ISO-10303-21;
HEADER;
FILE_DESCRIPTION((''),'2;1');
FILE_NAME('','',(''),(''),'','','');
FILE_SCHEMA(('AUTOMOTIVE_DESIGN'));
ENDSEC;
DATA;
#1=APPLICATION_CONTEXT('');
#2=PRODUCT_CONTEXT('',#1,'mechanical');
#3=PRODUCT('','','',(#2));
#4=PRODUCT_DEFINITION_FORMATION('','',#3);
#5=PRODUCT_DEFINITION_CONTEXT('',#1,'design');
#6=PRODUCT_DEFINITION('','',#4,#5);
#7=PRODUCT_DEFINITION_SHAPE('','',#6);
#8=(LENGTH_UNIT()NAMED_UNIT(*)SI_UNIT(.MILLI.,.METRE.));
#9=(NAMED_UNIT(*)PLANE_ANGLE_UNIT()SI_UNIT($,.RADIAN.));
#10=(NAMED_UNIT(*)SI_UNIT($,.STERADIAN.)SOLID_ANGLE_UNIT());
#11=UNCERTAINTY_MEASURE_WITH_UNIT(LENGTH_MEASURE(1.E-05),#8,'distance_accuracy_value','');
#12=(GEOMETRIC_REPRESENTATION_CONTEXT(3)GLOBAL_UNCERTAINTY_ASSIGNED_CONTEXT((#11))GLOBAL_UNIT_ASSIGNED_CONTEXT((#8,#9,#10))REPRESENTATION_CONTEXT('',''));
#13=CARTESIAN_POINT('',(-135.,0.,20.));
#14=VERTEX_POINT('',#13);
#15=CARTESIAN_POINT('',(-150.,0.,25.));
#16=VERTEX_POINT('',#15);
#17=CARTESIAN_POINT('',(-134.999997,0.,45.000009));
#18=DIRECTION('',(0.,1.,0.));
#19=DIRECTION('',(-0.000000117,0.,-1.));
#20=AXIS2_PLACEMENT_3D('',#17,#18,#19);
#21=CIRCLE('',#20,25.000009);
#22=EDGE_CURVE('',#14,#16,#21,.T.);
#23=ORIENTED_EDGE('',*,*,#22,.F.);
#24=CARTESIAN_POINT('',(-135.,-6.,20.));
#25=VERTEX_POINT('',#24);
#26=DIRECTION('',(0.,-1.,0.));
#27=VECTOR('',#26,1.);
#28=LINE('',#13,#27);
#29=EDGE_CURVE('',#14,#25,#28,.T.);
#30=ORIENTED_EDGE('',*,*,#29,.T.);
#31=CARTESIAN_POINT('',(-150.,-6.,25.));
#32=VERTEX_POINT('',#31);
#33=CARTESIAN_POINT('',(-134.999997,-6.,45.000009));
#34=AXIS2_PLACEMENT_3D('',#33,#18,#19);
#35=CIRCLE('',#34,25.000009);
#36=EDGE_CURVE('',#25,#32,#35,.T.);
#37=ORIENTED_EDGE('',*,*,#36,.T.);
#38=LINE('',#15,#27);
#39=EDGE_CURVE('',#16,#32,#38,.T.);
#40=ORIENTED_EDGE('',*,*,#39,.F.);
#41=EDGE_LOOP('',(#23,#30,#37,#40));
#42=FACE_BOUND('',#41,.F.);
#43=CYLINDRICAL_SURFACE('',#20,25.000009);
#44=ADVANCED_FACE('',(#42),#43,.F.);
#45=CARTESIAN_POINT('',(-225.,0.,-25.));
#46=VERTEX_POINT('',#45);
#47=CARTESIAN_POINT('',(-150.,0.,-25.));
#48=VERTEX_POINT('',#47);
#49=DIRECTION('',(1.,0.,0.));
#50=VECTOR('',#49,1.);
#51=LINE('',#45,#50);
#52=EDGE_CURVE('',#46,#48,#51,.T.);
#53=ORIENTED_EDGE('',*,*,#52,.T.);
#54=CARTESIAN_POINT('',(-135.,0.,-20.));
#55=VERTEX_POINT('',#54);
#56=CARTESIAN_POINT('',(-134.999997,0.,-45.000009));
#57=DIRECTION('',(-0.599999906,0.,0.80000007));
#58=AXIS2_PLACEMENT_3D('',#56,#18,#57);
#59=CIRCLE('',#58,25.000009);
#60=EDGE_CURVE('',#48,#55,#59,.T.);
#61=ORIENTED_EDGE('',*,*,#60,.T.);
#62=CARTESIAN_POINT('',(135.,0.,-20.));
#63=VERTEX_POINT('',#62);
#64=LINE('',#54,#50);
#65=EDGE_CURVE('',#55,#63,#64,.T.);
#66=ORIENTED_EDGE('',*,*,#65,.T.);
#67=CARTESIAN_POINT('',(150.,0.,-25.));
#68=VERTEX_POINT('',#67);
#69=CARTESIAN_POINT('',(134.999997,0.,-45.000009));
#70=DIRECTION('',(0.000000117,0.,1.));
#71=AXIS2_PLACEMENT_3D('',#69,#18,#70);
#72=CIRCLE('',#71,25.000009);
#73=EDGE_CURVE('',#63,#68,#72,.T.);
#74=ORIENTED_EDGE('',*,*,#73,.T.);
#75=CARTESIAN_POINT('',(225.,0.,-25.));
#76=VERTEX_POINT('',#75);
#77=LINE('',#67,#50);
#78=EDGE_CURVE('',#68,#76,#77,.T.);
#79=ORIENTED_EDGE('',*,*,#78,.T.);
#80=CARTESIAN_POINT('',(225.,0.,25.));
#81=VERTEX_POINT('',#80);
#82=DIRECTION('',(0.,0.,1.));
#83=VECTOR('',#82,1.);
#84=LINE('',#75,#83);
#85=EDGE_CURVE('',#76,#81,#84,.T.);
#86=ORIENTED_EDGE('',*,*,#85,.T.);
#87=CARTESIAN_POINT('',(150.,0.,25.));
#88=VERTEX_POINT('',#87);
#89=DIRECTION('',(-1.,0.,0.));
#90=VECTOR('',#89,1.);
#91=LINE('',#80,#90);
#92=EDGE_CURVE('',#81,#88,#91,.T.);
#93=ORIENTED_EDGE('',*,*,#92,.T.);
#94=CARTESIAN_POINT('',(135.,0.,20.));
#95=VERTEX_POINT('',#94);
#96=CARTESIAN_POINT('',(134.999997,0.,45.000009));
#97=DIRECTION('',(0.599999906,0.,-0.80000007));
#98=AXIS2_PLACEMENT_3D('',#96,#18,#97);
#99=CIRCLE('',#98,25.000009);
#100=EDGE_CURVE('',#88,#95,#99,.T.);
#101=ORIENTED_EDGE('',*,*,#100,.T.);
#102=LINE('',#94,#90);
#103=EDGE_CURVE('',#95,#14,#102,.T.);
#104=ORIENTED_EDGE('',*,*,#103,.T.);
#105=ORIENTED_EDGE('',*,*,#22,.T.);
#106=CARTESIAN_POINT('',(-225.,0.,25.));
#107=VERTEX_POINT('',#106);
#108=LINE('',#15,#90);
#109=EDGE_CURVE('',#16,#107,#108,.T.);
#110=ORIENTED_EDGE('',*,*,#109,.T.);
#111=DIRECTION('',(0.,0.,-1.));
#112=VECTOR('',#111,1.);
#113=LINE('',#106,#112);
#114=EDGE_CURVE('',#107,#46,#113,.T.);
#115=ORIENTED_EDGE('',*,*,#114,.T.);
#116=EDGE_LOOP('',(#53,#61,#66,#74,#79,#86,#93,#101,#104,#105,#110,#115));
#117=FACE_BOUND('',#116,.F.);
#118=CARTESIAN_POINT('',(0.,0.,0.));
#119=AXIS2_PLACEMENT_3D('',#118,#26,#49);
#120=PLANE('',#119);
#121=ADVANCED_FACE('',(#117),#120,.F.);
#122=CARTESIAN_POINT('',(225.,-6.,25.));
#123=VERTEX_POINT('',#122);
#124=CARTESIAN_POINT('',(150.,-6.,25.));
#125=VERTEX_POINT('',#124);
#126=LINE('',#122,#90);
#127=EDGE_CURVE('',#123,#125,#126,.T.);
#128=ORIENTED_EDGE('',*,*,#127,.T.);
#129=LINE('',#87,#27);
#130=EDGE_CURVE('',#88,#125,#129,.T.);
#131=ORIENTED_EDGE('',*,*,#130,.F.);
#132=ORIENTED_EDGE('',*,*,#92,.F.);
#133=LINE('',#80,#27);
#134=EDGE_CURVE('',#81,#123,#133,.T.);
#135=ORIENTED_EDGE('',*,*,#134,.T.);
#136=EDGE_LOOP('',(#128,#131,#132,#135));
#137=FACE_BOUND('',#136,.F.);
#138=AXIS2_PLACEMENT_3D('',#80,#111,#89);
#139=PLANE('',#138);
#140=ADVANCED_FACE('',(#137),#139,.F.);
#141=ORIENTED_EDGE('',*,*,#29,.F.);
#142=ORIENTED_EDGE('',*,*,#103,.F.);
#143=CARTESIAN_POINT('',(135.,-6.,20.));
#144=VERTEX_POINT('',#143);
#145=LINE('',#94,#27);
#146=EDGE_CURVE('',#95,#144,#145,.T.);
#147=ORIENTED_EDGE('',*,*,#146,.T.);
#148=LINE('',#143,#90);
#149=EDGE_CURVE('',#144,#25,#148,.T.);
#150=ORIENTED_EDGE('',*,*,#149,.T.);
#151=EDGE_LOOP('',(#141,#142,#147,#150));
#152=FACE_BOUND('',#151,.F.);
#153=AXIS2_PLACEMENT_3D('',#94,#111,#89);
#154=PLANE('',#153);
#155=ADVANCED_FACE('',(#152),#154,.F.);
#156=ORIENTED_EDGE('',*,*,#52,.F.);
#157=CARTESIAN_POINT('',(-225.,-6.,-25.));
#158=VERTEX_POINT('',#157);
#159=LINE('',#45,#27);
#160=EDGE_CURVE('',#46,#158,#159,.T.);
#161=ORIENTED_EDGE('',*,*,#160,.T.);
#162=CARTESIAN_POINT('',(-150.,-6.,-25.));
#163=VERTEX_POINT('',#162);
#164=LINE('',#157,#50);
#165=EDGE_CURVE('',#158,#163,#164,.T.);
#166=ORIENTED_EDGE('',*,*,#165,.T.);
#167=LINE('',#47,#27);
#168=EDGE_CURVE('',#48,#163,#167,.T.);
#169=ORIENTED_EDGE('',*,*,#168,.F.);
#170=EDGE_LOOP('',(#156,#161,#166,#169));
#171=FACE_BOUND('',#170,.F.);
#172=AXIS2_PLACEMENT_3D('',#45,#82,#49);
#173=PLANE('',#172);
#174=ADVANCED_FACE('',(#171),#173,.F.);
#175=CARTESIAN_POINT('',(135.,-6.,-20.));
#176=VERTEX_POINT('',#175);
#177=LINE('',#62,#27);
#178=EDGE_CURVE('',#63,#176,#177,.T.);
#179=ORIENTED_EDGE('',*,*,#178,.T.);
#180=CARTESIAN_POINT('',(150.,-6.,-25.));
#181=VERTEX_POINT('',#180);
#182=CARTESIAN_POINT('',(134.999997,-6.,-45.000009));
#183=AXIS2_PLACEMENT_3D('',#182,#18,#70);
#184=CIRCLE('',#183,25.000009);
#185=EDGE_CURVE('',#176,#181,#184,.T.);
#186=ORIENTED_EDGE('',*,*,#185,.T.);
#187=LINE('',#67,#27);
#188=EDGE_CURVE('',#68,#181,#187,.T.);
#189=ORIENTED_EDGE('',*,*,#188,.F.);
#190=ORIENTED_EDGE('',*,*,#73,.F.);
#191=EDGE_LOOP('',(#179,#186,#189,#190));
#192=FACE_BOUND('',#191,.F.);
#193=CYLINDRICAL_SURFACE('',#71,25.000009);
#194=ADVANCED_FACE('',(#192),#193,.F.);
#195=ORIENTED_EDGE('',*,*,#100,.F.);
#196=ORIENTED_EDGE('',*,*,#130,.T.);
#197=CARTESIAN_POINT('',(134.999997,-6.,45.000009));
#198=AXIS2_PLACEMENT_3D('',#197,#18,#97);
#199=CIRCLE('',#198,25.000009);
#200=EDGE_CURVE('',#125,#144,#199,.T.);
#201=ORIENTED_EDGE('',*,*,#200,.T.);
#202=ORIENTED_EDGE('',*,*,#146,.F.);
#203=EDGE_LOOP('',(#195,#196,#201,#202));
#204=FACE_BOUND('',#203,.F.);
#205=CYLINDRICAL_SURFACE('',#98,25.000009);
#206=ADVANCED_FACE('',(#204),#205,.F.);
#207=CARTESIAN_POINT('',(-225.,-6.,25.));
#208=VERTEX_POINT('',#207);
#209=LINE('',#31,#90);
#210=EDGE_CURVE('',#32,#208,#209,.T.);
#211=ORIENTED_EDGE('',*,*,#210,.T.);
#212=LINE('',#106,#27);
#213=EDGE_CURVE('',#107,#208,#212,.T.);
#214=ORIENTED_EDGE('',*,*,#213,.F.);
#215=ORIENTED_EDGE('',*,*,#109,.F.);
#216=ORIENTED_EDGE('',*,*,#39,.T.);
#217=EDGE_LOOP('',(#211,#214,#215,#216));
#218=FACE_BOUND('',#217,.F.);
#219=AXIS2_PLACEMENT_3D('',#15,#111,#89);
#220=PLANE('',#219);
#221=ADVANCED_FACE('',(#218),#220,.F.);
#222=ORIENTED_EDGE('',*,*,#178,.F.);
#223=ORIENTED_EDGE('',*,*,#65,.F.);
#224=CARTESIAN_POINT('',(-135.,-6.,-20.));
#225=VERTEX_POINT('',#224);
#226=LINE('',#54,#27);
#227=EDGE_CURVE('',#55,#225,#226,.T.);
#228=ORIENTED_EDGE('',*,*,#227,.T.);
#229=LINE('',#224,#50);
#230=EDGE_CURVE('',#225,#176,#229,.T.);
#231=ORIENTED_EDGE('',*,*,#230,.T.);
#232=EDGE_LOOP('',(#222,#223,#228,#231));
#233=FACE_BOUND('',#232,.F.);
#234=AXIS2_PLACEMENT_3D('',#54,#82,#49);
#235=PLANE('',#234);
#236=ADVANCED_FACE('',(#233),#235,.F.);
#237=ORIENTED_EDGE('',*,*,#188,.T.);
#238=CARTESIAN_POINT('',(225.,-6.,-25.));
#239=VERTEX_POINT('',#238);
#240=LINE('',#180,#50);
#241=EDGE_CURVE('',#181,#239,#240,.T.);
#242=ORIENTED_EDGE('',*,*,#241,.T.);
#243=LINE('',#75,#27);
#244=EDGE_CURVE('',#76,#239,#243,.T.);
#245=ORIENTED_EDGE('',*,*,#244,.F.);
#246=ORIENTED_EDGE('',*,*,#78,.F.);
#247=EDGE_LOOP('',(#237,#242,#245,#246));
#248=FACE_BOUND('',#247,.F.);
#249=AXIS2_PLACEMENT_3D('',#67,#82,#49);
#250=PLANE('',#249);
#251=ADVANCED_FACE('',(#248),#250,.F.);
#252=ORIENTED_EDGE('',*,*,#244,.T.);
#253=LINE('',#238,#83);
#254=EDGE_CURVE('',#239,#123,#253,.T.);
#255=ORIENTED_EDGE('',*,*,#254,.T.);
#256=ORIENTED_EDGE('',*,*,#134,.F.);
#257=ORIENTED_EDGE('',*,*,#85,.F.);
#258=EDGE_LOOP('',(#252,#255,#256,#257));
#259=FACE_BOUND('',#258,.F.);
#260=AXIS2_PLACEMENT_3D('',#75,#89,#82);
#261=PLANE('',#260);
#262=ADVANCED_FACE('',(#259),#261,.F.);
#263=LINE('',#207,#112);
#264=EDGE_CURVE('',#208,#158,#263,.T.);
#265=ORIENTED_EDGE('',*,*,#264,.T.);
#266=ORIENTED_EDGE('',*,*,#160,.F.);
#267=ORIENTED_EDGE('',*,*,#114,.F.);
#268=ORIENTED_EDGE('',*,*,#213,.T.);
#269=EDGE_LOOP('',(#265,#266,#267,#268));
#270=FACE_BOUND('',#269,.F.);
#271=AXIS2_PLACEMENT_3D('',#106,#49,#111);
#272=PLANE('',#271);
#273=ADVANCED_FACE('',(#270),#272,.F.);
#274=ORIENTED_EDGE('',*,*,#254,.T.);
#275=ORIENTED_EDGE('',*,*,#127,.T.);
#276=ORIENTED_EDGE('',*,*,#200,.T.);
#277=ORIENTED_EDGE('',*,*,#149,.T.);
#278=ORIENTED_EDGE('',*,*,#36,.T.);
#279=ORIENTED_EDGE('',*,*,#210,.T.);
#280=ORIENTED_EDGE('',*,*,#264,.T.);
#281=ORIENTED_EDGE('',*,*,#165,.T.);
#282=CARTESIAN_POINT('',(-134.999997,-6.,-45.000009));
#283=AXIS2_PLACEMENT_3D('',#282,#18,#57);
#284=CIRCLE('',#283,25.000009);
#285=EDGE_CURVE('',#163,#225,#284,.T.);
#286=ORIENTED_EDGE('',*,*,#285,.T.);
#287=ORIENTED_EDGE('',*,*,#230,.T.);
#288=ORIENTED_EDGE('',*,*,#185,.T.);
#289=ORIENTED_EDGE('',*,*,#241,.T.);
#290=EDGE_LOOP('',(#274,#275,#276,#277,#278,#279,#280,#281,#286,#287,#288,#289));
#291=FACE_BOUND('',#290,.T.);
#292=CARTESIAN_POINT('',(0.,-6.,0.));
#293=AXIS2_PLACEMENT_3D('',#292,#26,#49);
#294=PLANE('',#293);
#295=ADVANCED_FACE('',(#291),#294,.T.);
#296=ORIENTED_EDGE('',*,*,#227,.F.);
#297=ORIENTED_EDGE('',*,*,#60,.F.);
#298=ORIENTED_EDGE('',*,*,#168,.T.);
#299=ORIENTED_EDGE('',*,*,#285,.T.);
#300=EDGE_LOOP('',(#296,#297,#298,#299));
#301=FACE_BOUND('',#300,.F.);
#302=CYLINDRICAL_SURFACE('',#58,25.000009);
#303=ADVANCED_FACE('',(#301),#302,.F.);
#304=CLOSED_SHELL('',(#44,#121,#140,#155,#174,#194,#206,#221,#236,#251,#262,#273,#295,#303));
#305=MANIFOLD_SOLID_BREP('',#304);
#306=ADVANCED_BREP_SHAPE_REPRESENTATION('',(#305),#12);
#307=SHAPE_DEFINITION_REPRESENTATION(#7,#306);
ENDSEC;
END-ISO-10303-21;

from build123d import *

# Parameters (mm, degrees)
F1_DEPTH = 6


with BuildPart() as f1:
    # F0 (on Front) → F1 (new body)
    with BuildSketch(Plane.XZ):
        with BuildLine():
            Line((135, 20), (0, 20))
            Line((0, 20), (-135, 20))
            ThreePointArc((-135, 20), (-142.905694, 21.282918), (-150, 25))
            Line((-150, 25), (-225, 25))
            Line((-225, 25), (-225, -25))
            Line((-225, -25), (-150, -25))
            ThreePointArc((-150, -25), (-142.905694, -21.282918), (-135, -20))
            Line((-135, -20), (0, -20))
            Line((0, -20), (135, -20))
            ThreePointArc((135, -20), (142.905694, -21.282918), (150, -25))
            Line((150, -25), (225, -25))
            Line((225, -25), (225, 25))
            Line((225, 25), (150, 25))
            ThreePointArc((150, 25), (142.905694, 21.282918), (135, 20))
        make_face()
    extrude(amount=F1_DEPTH)


solid = f1.part
